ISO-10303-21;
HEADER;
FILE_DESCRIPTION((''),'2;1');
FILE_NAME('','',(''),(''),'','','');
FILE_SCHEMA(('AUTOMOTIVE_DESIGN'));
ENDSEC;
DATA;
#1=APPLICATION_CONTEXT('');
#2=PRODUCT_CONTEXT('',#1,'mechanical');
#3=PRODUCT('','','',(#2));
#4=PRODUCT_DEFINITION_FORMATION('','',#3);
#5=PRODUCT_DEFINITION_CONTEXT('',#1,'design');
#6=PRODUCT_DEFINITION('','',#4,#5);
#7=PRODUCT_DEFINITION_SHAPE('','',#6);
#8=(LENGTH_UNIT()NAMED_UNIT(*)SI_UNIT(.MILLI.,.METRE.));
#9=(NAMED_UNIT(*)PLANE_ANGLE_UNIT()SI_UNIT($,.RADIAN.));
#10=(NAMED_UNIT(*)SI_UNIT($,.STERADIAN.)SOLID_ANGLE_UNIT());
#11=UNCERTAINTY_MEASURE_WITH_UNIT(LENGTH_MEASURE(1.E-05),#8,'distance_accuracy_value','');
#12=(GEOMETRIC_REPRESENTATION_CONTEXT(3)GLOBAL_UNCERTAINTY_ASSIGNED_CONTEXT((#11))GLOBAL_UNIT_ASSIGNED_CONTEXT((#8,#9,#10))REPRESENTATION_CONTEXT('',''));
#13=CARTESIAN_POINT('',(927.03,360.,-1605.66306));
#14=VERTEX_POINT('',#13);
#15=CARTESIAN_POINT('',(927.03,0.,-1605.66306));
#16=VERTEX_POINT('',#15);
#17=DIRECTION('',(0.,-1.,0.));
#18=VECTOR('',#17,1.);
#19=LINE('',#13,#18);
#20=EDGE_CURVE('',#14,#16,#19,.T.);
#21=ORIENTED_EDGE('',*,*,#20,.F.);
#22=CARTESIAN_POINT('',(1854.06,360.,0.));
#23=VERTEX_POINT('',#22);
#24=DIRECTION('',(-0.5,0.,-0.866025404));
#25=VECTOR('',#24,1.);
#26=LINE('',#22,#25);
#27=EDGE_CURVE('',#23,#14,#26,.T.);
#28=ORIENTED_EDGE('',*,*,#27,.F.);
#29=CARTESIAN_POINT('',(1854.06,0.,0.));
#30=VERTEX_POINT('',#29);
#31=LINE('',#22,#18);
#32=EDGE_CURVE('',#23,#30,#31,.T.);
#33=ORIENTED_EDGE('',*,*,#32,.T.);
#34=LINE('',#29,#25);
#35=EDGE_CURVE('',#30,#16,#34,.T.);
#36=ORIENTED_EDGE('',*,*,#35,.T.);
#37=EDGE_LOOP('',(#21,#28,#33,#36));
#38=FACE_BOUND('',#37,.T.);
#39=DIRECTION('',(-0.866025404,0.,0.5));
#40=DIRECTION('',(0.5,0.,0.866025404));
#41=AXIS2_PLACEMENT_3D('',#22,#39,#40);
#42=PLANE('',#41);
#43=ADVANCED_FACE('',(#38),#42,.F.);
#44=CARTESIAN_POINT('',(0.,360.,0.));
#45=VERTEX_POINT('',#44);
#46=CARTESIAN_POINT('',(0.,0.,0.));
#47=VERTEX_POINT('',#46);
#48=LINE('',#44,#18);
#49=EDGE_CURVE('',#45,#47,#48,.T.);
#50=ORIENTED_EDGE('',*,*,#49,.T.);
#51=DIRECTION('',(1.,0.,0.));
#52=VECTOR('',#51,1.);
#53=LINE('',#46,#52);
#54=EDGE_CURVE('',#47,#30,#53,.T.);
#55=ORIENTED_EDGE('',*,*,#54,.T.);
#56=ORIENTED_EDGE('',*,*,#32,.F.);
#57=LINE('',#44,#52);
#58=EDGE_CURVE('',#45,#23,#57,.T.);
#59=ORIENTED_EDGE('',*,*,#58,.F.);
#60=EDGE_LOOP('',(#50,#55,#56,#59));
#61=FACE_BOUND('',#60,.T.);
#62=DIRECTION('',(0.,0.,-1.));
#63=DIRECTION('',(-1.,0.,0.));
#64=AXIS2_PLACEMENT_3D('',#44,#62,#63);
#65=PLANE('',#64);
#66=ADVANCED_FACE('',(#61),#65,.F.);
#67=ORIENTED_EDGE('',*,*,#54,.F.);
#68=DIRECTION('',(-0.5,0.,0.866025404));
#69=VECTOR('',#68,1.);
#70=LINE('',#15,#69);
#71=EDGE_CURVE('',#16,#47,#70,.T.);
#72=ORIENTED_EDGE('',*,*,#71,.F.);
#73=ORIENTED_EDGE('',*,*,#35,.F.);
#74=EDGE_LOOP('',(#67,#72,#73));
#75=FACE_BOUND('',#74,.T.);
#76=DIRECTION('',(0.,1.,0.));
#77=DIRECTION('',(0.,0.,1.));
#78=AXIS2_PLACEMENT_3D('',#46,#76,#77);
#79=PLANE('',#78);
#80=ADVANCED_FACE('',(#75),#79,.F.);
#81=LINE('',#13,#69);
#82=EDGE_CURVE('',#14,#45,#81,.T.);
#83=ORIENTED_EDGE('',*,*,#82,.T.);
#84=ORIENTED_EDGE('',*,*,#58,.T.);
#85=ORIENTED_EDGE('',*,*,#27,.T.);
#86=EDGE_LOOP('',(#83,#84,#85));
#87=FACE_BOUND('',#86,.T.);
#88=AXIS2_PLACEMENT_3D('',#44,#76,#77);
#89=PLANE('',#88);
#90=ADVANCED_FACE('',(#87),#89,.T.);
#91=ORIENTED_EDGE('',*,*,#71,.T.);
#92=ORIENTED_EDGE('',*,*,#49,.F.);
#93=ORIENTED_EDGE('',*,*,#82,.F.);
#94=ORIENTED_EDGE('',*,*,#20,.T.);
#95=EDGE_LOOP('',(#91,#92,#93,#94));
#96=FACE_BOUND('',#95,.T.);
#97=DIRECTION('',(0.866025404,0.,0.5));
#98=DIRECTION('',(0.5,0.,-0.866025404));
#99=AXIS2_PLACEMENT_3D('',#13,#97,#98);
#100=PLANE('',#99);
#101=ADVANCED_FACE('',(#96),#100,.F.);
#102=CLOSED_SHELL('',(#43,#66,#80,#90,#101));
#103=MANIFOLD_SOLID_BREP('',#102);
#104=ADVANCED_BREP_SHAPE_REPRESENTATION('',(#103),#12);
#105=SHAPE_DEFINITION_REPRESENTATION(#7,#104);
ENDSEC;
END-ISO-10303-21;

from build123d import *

# Parameters (mm, degrees)
BOSS_EXTRUDE1_DEPTH = 360


with BuildPart() as part:
    # Sketch1 → Boss-Extrude1 (new body)
    with BuildSketch(Plane(origin=(0, 0, 0), x_dir=(1, 0, 0), z_dir=(0, 1, 0))):
        Polygon((0, 0), (1854.06, 0), (927.03, 1605.663060141), align=None)
    extrude(amount=BOSS_EXTRUDE1_DEPTH)


solid = part.part
